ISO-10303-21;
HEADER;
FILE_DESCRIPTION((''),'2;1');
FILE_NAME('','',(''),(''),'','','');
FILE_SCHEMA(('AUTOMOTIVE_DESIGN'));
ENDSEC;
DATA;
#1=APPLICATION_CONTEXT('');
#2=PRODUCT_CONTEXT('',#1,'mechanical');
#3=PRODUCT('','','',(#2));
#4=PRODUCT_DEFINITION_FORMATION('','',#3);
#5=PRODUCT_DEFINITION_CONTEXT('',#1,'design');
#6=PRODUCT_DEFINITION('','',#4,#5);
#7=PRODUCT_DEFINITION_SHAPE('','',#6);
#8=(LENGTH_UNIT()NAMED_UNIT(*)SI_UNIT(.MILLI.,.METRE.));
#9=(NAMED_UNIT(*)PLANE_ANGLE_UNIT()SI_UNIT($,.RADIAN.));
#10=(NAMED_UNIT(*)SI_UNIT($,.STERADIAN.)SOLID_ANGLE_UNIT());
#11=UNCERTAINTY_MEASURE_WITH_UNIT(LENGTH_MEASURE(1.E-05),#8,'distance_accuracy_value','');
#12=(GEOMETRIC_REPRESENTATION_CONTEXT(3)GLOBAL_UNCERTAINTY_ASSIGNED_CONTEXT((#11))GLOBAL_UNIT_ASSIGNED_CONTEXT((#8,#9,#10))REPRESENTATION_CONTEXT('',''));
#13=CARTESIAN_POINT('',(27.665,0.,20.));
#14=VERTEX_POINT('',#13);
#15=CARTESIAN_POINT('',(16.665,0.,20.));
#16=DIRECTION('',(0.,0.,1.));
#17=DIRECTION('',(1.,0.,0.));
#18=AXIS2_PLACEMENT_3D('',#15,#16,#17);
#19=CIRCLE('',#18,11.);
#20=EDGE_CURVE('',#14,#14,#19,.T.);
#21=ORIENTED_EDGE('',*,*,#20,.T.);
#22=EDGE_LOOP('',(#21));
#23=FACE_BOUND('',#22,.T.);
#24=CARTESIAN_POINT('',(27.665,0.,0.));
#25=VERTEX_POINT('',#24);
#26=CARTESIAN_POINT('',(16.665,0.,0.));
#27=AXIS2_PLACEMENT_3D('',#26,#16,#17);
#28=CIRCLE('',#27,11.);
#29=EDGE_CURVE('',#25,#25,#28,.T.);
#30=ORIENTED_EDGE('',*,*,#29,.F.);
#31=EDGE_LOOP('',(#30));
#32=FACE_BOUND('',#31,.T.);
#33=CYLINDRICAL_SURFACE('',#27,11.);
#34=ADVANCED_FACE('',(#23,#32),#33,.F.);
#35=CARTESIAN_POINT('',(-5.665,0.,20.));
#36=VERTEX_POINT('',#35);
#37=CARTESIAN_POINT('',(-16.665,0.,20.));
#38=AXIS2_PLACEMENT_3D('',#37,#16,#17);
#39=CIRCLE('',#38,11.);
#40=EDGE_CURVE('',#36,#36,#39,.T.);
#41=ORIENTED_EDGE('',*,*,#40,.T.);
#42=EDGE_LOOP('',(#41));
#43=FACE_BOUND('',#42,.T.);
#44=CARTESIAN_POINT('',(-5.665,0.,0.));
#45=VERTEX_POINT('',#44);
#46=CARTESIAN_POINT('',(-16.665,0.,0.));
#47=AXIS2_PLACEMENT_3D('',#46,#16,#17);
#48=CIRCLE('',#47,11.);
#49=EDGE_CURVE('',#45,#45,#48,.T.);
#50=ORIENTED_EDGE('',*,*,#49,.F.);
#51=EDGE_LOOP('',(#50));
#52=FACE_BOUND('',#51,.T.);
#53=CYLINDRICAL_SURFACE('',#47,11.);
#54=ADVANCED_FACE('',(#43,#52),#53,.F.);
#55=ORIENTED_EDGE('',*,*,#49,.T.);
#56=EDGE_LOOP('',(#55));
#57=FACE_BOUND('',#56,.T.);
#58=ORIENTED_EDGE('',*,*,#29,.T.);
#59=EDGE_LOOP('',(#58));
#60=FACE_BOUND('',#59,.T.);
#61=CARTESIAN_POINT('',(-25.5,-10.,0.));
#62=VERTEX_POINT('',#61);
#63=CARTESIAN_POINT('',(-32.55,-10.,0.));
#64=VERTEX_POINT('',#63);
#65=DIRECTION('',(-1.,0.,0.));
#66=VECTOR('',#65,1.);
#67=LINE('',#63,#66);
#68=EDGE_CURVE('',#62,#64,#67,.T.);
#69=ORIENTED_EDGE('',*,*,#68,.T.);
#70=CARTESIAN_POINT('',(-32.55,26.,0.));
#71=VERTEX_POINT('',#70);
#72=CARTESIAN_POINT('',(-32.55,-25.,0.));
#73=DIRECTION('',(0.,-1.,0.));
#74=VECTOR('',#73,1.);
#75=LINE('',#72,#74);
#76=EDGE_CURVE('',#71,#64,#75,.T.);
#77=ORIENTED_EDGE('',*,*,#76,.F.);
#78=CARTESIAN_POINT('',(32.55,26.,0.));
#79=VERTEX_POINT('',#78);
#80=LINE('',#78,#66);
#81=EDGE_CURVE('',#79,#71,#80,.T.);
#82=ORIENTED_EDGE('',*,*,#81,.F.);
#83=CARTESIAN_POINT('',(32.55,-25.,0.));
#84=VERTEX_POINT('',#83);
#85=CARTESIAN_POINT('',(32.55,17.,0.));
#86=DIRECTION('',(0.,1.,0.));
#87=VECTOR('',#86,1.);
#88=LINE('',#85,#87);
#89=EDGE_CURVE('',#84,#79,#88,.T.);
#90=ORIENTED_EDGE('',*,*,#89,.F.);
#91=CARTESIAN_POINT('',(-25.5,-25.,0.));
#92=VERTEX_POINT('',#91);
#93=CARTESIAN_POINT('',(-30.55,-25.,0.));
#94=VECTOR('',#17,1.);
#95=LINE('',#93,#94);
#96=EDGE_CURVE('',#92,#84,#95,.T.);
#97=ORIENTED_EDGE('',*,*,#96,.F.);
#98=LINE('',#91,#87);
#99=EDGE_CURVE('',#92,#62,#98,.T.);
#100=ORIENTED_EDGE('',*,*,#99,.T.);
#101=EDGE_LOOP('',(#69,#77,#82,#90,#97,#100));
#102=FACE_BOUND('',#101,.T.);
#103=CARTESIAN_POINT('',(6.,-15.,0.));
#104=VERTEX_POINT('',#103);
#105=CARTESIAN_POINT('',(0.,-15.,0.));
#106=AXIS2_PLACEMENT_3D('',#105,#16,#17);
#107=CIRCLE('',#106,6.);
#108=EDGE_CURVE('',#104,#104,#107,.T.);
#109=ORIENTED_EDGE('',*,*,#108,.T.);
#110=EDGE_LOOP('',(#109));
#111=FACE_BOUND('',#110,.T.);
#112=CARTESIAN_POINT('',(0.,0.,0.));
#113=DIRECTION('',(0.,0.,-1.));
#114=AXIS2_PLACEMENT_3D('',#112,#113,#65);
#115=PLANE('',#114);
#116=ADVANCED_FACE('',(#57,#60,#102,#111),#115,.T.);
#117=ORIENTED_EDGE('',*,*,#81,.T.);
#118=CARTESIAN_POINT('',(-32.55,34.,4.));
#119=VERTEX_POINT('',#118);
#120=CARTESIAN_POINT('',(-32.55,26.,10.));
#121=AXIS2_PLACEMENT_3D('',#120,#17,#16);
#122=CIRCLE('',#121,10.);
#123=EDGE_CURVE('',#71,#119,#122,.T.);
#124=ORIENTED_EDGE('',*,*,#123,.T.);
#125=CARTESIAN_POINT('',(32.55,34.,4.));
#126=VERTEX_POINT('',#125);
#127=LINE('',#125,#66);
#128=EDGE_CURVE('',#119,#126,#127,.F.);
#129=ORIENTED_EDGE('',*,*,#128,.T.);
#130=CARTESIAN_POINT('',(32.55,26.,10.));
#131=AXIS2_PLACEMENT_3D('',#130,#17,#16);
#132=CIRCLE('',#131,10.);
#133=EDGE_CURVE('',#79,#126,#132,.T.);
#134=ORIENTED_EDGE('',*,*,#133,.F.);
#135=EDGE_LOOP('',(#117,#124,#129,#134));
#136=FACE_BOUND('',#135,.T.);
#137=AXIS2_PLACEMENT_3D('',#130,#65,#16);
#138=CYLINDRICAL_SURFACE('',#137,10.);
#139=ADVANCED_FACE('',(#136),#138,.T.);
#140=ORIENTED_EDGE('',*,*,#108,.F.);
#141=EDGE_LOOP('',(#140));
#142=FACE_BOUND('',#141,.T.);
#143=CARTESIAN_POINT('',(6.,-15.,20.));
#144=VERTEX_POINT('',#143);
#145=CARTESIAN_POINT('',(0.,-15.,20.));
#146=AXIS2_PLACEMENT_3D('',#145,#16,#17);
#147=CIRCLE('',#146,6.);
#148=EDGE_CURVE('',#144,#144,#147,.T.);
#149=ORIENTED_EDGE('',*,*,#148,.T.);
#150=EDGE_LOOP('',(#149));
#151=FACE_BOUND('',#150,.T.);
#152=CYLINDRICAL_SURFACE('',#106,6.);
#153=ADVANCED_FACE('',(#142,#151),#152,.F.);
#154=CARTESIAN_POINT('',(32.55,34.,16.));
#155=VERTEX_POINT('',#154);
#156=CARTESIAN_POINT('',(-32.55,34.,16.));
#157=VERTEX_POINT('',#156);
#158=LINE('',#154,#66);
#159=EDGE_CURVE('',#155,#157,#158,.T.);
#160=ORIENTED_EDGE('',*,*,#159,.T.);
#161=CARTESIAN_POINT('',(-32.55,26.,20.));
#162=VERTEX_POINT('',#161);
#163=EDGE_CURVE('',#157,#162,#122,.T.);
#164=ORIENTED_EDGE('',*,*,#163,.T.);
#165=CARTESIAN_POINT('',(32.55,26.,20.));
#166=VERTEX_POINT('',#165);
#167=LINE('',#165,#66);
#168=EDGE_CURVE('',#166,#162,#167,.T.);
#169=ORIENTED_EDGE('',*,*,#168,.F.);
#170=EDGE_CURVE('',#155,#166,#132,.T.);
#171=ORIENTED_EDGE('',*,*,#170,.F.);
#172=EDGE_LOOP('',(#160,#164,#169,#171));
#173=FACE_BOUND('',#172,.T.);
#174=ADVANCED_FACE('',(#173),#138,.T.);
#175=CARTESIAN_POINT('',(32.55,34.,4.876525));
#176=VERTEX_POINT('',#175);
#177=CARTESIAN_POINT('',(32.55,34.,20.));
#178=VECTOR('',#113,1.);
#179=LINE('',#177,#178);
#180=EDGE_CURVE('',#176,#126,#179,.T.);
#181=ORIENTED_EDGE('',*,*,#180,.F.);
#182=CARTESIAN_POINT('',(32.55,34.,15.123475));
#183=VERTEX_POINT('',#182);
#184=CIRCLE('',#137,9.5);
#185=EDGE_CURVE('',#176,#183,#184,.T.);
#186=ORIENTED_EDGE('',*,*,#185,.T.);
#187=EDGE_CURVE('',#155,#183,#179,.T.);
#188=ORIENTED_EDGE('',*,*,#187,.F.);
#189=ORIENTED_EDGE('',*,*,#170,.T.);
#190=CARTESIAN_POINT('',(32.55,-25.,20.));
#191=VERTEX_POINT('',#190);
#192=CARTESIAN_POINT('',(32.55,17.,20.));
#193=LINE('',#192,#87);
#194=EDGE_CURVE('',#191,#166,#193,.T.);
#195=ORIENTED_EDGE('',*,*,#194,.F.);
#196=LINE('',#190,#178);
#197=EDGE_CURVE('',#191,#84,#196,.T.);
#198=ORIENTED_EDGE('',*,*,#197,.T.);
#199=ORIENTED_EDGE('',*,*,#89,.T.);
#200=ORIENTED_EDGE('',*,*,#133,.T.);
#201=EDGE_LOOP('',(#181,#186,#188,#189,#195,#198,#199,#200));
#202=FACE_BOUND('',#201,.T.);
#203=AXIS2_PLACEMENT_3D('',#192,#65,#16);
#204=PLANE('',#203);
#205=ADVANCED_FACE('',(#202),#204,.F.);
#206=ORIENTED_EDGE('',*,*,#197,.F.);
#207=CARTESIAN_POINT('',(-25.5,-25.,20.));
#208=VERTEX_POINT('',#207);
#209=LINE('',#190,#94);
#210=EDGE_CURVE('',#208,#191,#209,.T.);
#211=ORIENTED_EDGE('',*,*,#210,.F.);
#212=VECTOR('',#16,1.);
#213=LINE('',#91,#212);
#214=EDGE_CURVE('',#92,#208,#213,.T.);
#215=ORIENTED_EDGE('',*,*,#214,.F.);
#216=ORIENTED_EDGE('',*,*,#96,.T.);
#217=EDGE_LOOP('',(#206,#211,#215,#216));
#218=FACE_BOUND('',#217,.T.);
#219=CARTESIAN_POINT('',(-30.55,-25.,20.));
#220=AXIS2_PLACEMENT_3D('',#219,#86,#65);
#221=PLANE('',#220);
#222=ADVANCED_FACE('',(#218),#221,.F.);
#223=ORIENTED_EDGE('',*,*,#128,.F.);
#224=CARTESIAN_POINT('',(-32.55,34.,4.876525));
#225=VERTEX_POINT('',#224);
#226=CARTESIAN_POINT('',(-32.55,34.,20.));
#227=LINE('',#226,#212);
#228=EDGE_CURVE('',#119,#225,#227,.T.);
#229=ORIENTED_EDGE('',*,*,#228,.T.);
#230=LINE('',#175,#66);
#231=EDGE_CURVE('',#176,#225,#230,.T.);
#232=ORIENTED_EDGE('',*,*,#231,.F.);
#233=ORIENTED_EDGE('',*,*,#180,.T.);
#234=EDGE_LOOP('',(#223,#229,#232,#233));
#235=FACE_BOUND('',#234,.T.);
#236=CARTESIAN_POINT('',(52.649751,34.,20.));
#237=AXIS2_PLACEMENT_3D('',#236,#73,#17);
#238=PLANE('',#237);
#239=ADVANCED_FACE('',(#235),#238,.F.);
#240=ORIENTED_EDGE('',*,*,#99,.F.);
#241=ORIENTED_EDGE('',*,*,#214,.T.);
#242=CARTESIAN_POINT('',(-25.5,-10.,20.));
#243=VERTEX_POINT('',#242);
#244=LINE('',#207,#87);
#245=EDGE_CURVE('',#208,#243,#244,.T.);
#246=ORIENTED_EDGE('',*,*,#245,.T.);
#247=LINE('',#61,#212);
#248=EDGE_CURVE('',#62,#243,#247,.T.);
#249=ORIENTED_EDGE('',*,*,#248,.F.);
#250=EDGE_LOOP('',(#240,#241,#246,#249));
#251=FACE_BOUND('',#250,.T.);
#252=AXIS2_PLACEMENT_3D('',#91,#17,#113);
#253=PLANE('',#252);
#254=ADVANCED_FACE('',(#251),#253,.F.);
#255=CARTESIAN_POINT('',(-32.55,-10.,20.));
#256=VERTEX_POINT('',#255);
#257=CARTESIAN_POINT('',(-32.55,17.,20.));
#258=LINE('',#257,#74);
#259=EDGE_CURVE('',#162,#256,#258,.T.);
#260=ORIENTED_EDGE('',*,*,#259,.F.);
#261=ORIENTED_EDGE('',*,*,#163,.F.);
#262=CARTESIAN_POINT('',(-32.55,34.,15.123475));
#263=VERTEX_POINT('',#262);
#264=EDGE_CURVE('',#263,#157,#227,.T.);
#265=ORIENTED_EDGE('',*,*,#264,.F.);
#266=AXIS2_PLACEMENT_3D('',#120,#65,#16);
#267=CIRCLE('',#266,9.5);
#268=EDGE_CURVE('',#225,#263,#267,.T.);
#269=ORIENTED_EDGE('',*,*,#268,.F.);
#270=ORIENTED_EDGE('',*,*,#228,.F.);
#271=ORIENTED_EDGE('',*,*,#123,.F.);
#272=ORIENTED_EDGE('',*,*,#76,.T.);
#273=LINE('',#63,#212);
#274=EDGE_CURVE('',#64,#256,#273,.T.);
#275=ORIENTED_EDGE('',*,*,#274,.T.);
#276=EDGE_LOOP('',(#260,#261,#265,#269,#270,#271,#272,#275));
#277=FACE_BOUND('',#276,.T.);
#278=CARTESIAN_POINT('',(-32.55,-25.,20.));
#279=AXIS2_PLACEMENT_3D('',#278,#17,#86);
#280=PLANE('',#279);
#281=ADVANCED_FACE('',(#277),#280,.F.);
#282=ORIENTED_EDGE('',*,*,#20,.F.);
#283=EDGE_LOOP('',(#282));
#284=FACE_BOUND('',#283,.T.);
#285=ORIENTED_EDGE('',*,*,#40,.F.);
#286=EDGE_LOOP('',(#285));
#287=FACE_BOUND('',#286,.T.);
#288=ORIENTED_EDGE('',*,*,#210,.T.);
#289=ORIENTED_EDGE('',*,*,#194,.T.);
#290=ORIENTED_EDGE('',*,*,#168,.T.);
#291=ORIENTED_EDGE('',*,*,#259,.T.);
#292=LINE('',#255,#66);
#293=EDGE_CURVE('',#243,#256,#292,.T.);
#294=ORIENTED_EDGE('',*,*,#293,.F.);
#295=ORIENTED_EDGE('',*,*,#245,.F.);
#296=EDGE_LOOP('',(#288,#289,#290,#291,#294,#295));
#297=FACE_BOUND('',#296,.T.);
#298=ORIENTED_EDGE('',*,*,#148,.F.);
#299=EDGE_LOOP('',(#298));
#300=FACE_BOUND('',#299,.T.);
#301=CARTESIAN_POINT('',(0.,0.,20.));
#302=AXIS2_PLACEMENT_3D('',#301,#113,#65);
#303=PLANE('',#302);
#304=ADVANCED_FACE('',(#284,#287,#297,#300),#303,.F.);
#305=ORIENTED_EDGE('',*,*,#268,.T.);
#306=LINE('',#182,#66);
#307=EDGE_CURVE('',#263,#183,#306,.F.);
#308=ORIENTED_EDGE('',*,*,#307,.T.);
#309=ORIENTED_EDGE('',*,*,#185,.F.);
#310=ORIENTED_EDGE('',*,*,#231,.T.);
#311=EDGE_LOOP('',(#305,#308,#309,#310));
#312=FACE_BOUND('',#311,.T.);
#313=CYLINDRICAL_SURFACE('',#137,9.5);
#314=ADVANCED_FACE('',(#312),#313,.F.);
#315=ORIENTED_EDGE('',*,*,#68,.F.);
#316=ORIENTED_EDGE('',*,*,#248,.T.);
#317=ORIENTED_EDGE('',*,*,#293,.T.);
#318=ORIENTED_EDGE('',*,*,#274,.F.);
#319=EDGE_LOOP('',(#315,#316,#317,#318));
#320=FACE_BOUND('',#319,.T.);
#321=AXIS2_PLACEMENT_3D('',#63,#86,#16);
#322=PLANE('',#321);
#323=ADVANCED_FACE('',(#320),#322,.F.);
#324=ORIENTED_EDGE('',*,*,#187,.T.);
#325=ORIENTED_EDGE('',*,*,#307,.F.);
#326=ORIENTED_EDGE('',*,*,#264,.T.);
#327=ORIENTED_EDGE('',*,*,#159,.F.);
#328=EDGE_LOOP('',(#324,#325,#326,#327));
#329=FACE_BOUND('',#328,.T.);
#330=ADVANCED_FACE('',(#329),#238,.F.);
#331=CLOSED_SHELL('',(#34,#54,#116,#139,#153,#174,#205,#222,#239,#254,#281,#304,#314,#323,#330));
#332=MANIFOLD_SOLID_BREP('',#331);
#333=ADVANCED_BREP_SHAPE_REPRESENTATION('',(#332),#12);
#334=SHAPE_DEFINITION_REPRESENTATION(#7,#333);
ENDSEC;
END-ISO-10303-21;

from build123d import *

# Parameters (mm, degrees)
PARALLELEPIPEDOBLOCCO_DEPTH      = 20
SCHIZZO2_R                       = 11
SCHIZZO2_R_2                     = 6
FORITUBIMOTORI_DEPTH             = 54.183667606
SCHIZZO4_R                       = 9.5
FOROLONGHERONE_DEPTH             = 78.504903071
ELIMINAZIONEPARTESUPERIORE_DEPTH = 78.504903071
SCHIZZO6_W                       = 7.05
SCHIZZO6_H                       = 15
SPAZIOMOVIMENTOLEVETTA_DEPTH     = 53.49288047
SCHIZZO7_W                       = 20
SCHIZZO7_H                       = 2
RIMOZIONEPARTESUPERIORE_DEPTH    = 65.1


with BuildPart() as part:
    # Schizzo1 → ParallelepipedoBlocco (new body)
    with BuildSketch(Plane.XY):
        Polygon((-30.55, -25), (30.55, -25), (32.55, -25), (32.55, 17), (32.55, 37), (-32.55, 37), (-32.55, 17), (-32.55, -25), align=None)
    extrude(amount=PARALLELEPIPEDOBLOCCO_DEPTH)

    # Schizzo2 → ForiTubiMotori (cut, through all)
    with BuildSketch(Plane.XY.offset(20)):
        with Locations((-16.665, 0)):
            Circle(SCHIZZO2_R)
        with Locations((16.665, 0)):
            Circle(SCHIZZO2_R)
        with Locations((0, -15)):
            Circle(SCHIZZO2_R_2)
    extrude(amount=-FORITUBIMOTORI_DEPTH, mode=Mode.SUBTRACT)

    # Schizzo4 → ForoLongherone (cut, through all)
    with BuildSketch(Plane.ZY.offset(32.55)):
        with Locations((10, 26)):
            Circle(SCHIZZO4_R)
    extrude(amount=-FOROLONGHERONE_DEPTH, mode=Mode.SUBTRACT)

    # Schizzo5 → EliminazioneParteSuperiore (cut, through all)
    with BuildSketch(Plane.ZY.offset(32.55)):
        with BuildLine():
            Line((0, 26), (0, 37))
            Line((0, 37), (20, 37))
            Line((20, 37), (20, 26))
            ThreePointArc((20, 26), (10, 36), (0, 26))
        make_face()
    extrude(amount=-ELIMINAZIONEPARTESUPERIORE_DEPTH, mode=Mode.SUBTRACT)

    # Schizzo6 → SpazioMovimentoLevetta (cut, through all)
    with BuildSketch(Plane.XY.offset(20)):
        with Locations((-29.025, -17.5)):
            Rectangle(SCHIZZO6_W, SCHIZZO6_H)
    extrude(amount=-SPAZIOMOVIMENTOLEVETTA_DEPTH, mode=Mode.SUBTRACT)

    # Schizzo7 → RimozioneParteSuperiore (cut)
    with BuildSketch(Plane.ZY.offset(32.55)):
        with Locations((10, 35)):
            Rectangle(SCHIZZO7_W, SCHIZZO7_H)
    extrude(amount=-RIMOZIONEPARTESUPERIORE_DEPTH, mode=Mode.SUBTRACT)


solid = part.part
